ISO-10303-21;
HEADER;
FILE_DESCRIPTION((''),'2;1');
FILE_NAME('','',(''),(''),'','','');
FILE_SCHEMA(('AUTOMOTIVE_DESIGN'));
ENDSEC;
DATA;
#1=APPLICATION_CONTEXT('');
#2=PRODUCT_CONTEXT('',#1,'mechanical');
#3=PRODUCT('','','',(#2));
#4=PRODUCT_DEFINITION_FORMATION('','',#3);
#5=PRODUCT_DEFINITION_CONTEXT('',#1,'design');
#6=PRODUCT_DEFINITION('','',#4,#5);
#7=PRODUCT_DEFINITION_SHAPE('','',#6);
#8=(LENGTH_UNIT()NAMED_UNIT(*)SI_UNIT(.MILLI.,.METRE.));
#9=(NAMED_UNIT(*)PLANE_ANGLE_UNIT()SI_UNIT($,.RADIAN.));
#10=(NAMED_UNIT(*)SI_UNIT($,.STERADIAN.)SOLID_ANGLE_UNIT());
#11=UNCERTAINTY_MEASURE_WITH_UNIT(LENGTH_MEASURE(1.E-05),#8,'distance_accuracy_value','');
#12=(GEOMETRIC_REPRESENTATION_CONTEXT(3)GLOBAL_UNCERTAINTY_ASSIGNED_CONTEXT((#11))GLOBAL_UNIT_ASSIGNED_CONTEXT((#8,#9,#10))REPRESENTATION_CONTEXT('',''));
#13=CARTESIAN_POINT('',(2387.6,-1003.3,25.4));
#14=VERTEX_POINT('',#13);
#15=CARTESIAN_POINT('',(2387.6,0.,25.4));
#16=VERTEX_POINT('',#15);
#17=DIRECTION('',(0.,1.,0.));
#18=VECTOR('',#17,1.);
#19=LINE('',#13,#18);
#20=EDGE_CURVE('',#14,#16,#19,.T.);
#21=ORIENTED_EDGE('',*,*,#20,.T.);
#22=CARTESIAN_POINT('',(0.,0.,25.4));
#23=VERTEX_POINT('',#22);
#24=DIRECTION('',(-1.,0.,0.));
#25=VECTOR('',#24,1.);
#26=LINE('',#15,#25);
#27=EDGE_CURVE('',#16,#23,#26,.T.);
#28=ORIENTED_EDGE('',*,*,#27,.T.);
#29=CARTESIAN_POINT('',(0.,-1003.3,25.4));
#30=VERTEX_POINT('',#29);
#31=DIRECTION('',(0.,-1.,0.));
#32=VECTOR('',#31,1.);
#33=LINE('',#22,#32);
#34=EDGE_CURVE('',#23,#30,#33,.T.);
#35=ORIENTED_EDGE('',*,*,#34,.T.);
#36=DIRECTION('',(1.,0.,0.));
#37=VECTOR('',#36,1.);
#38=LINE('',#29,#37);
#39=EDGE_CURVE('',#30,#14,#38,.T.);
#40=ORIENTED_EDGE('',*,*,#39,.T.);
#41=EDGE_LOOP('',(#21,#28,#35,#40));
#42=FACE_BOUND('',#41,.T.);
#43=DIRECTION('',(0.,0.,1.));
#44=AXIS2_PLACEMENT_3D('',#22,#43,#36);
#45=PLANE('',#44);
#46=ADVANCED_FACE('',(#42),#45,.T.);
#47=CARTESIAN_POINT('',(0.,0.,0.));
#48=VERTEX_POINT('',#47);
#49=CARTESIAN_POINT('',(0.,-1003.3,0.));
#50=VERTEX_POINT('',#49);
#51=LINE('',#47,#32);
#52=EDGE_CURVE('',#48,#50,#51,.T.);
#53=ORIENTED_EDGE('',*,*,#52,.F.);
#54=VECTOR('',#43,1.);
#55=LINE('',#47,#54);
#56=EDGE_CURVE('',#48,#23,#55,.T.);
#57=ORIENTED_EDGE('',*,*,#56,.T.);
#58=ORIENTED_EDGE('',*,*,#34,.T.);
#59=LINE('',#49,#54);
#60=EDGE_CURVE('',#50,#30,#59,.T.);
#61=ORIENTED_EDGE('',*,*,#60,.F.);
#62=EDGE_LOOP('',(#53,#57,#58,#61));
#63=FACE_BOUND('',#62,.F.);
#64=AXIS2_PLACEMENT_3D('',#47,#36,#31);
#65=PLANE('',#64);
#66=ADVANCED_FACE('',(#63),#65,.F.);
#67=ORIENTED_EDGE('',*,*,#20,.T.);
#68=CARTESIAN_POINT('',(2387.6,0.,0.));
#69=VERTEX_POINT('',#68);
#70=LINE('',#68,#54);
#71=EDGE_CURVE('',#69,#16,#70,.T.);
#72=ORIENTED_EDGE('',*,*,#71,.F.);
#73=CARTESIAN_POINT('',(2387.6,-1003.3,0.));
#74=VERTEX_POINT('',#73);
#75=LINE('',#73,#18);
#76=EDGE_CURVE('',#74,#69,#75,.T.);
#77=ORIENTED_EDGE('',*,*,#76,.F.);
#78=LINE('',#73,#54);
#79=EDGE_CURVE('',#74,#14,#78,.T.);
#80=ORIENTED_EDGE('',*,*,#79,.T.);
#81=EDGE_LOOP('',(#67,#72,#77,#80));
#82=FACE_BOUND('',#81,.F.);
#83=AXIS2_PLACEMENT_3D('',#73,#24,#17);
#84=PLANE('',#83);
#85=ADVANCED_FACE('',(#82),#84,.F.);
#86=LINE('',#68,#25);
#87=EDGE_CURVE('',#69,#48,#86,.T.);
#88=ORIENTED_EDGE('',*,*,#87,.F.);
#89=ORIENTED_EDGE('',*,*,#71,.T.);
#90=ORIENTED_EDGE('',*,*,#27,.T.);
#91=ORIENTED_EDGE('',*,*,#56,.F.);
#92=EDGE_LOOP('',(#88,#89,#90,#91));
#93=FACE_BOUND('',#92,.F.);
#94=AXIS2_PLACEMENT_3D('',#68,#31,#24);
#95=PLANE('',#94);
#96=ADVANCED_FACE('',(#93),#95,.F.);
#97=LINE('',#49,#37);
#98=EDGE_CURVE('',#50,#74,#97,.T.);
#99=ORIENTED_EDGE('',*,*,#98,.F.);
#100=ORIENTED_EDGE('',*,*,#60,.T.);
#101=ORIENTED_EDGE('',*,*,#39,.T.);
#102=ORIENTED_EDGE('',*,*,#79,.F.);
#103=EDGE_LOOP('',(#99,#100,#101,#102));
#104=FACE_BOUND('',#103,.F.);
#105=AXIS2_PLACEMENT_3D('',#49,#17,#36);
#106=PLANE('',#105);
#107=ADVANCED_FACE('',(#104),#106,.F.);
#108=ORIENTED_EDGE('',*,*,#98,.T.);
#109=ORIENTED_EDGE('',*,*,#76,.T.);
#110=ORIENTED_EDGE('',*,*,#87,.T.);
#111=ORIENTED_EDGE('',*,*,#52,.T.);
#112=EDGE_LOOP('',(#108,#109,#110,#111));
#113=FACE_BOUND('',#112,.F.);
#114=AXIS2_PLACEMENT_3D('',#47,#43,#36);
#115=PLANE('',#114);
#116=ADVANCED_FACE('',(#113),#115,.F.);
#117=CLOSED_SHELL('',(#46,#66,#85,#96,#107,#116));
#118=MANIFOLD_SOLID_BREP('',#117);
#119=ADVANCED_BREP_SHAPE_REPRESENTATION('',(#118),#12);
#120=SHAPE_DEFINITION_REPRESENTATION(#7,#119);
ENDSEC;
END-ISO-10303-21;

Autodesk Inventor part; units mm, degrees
ref_plane "YZ Plane" through (0, 0, 0) normal (1, 0, 0) x (0, 1, 0)
ref_plane "XZ Plane" through (0, 0, 0) normal (0, 1, 0) x (-1, 0, 0)
ref_plane "XY Plane" through (0, 0, 0) normal (0, 0, 1) x (1, 0, 0)
ref_plane "Work Plane2" through (0, 0, 0) normal (0, 0, 1) x (1, 0, 0)
sketch "Sketch2" plane through (0, 0, 0) normal (0, 0, 1) x (1, 0, 0)
  line L0 (0, 0) -> (0, -1003.3) projected
  line L1 (0, -1003.3) -> (2387.6, -1003.3)
  line L2 (2387.6, -1003.3) -> (2387.6, 0)
  line L3 (2387.6, 0) -> (0, 0)
  dimension "d0" = 2387.6
extrude "Extrusion1" add sketch "Sketch2" along normal blind 25.4
properties part number "RIGHT WALL"
